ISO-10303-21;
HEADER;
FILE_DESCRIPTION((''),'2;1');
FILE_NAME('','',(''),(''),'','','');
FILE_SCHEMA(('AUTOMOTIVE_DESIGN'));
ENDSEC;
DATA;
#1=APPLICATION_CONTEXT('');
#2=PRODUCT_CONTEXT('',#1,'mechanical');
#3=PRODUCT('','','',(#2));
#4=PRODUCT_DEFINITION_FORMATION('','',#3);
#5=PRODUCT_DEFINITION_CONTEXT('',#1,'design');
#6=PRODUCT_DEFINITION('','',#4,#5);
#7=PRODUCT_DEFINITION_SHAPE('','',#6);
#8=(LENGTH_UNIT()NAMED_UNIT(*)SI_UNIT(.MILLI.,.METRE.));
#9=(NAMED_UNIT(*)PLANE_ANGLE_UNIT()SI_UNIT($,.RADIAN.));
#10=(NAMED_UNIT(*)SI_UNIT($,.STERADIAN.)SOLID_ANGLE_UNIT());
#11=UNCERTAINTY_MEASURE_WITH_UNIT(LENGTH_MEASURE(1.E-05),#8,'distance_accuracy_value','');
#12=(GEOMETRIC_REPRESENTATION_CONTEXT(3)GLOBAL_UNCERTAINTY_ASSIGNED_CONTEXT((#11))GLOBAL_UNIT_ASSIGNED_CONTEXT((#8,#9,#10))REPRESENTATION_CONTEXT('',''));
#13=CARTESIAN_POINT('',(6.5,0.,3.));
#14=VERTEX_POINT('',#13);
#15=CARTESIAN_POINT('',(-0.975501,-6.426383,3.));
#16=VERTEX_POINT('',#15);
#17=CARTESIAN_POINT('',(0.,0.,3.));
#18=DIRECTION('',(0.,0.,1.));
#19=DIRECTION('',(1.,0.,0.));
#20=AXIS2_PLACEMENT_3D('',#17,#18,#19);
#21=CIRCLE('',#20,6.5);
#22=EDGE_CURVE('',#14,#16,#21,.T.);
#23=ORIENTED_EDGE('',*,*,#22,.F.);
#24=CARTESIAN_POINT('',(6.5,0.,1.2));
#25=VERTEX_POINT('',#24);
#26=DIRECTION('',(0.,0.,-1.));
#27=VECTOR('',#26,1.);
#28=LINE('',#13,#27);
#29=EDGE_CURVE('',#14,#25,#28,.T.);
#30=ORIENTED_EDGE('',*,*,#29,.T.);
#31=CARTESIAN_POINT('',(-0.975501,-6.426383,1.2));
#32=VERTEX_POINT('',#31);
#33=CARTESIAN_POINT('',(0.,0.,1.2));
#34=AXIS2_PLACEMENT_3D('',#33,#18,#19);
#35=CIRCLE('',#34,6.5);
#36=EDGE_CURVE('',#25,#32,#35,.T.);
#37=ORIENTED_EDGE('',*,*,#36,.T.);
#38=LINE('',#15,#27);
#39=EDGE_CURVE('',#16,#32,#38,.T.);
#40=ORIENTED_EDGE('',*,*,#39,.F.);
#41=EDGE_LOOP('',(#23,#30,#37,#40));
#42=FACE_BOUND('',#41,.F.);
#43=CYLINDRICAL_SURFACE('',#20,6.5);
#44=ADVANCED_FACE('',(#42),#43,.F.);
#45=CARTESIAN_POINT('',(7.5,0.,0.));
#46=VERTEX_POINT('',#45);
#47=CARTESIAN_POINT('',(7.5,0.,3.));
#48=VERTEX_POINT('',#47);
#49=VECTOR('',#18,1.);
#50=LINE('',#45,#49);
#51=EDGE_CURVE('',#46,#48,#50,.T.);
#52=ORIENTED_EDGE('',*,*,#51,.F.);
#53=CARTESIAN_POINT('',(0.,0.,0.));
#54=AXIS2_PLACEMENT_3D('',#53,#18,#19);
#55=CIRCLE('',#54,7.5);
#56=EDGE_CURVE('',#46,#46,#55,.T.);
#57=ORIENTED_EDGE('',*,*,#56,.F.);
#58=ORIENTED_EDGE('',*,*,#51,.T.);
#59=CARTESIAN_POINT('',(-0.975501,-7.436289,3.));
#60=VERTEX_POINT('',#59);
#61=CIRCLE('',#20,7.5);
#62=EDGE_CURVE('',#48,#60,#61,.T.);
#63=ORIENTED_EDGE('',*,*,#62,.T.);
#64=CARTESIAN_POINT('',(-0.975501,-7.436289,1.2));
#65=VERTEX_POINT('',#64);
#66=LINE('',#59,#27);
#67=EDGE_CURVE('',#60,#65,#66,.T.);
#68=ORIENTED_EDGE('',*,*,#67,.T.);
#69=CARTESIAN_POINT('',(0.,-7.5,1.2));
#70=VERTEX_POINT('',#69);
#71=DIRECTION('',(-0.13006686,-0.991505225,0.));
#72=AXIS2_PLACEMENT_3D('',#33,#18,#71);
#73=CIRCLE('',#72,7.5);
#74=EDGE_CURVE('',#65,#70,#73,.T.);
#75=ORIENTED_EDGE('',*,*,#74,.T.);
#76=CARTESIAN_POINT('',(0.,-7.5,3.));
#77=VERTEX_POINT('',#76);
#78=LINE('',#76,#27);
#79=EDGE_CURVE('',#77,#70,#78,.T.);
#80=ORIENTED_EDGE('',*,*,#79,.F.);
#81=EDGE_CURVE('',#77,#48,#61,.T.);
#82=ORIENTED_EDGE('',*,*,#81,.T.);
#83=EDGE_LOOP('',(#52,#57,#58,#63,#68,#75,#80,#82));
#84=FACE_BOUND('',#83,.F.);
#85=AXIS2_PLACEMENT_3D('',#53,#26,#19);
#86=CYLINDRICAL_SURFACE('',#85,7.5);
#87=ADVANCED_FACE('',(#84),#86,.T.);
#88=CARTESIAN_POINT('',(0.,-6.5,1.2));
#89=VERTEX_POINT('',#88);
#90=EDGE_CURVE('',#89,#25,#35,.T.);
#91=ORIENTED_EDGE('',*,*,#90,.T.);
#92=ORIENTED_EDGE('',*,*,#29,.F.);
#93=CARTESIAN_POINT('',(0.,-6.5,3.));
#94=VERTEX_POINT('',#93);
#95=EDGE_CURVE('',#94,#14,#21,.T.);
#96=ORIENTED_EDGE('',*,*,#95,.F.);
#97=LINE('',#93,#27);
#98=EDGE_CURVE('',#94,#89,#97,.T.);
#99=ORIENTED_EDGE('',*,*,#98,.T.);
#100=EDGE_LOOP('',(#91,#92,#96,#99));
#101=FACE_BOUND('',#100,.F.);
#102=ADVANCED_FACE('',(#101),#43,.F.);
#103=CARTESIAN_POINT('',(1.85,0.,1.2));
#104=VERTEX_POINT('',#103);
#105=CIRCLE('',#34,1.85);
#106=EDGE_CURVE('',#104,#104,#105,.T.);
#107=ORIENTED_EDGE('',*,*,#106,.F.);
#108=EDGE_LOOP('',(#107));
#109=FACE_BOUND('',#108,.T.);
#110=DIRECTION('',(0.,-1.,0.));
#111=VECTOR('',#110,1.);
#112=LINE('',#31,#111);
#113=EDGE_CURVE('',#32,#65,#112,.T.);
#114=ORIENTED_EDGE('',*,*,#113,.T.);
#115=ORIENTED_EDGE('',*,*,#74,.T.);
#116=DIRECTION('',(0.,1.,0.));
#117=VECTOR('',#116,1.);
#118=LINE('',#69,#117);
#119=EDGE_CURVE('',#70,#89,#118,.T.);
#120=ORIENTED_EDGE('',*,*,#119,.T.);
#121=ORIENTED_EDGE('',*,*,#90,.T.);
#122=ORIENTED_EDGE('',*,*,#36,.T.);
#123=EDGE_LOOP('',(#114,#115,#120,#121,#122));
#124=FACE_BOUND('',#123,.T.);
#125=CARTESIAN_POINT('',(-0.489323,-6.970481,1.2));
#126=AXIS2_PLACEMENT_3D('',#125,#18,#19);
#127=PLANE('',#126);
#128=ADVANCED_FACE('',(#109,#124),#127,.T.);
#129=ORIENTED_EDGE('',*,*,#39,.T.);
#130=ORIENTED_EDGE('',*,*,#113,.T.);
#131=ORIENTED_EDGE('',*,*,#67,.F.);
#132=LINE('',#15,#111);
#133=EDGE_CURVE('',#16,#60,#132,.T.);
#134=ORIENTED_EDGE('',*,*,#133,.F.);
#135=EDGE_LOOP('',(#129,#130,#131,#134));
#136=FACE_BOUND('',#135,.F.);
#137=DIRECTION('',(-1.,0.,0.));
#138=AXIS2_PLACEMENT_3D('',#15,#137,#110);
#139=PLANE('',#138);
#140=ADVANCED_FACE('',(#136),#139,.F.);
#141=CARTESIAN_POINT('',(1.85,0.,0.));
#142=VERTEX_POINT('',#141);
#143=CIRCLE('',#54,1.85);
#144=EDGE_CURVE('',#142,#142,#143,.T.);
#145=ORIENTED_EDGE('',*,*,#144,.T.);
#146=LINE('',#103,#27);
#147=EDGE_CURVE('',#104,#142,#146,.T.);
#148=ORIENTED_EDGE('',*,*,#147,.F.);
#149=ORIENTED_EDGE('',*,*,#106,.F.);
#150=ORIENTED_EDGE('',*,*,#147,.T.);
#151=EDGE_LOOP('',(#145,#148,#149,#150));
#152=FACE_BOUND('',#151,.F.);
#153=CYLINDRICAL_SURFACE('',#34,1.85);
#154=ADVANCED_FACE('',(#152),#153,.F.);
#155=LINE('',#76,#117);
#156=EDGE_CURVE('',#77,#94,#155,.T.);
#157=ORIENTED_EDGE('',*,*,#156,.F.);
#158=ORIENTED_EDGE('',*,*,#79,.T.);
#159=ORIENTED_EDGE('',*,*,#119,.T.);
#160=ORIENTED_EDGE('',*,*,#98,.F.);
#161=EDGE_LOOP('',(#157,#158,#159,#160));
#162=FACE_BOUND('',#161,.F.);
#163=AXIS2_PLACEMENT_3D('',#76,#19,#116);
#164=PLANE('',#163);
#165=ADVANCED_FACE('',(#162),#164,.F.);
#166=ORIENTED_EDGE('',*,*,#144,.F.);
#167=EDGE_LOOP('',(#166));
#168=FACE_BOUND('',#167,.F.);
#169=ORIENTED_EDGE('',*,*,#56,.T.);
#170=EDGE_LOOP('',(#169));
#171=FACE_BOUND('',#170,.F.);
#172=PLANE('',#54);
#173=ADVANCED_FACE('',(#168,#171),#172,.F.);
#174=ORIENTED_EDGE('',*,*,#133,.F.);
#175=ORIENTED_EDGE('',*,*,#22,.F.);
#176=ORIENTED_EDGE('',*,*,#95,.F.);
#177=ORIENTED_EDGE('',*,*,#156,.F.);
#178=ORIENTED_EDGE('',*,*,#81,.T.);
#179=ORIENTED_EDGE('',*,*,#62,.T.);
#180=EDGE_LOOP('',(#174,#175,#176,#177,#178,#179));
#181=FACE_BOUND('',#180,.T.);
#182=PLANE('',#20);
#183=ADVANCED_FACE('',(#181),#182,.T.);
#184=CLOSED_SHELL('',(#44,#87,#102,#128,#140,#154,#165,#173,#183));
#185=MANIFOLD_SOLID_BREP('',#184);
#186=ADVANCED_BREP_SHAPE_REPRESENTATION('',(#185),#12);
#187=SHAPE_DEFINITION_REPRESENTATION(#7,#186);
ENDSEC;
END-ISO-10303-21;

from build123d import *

# Parameters (mm, degrees)
F0_R     = 7.5
F1_DEPTH = 3
F2_R     = 6.5000001341
F3_DEPTH = 1.8
F5_DEPTH = 1.8
F6_R     = 1.85
F7_DEPTH = 2


with BuildPart() as f1:
    # F0 (on Top) → F1 (new body)
    with BuildSketch(Plane.XY):
        Circle(F0_R)
    extrude(amount=F1_DEPTH)

    # F2 (on face) → F3 (cut)
    with BuildSketch(Plane.XY.offset(3)):
        Circle(F2_R)
    extrude(amount=-F3_DEPTH, mode=Mode.SUBTRACT)

    # F4 (on face) → F5 (cut)
    with BuildSketch(Plane.XY.offset(3)):
        with BuildLine():
            Line((0, -7.5), (0, -6.5000001341))
            ThreePointArc((0, -6.5000001341), (-0.4891376474, -6.4815697254), (-0.9755014466, -6.4263830162))
            Line((-0.9755014466, -6.4263830162), (-0.9755014466, -7.4362891907))
            ThreePointArc((-0.9755014466, -7.4362891907), (-0.4887898678, -7.4840553489), (0, -7.5))
        make_face()
    extrude(amount=-F5_DEPTH, mode=Mode.SUBTRACT)

    # F6 (on face) → F7 (cut)
    with BuildSketch(Plane.XY.offset(1.2)):
        Circle(F6_R)
    extrude(amount=-F7_DEPTH, mode=Mode.SUBTRACT)


solid = f1.part
